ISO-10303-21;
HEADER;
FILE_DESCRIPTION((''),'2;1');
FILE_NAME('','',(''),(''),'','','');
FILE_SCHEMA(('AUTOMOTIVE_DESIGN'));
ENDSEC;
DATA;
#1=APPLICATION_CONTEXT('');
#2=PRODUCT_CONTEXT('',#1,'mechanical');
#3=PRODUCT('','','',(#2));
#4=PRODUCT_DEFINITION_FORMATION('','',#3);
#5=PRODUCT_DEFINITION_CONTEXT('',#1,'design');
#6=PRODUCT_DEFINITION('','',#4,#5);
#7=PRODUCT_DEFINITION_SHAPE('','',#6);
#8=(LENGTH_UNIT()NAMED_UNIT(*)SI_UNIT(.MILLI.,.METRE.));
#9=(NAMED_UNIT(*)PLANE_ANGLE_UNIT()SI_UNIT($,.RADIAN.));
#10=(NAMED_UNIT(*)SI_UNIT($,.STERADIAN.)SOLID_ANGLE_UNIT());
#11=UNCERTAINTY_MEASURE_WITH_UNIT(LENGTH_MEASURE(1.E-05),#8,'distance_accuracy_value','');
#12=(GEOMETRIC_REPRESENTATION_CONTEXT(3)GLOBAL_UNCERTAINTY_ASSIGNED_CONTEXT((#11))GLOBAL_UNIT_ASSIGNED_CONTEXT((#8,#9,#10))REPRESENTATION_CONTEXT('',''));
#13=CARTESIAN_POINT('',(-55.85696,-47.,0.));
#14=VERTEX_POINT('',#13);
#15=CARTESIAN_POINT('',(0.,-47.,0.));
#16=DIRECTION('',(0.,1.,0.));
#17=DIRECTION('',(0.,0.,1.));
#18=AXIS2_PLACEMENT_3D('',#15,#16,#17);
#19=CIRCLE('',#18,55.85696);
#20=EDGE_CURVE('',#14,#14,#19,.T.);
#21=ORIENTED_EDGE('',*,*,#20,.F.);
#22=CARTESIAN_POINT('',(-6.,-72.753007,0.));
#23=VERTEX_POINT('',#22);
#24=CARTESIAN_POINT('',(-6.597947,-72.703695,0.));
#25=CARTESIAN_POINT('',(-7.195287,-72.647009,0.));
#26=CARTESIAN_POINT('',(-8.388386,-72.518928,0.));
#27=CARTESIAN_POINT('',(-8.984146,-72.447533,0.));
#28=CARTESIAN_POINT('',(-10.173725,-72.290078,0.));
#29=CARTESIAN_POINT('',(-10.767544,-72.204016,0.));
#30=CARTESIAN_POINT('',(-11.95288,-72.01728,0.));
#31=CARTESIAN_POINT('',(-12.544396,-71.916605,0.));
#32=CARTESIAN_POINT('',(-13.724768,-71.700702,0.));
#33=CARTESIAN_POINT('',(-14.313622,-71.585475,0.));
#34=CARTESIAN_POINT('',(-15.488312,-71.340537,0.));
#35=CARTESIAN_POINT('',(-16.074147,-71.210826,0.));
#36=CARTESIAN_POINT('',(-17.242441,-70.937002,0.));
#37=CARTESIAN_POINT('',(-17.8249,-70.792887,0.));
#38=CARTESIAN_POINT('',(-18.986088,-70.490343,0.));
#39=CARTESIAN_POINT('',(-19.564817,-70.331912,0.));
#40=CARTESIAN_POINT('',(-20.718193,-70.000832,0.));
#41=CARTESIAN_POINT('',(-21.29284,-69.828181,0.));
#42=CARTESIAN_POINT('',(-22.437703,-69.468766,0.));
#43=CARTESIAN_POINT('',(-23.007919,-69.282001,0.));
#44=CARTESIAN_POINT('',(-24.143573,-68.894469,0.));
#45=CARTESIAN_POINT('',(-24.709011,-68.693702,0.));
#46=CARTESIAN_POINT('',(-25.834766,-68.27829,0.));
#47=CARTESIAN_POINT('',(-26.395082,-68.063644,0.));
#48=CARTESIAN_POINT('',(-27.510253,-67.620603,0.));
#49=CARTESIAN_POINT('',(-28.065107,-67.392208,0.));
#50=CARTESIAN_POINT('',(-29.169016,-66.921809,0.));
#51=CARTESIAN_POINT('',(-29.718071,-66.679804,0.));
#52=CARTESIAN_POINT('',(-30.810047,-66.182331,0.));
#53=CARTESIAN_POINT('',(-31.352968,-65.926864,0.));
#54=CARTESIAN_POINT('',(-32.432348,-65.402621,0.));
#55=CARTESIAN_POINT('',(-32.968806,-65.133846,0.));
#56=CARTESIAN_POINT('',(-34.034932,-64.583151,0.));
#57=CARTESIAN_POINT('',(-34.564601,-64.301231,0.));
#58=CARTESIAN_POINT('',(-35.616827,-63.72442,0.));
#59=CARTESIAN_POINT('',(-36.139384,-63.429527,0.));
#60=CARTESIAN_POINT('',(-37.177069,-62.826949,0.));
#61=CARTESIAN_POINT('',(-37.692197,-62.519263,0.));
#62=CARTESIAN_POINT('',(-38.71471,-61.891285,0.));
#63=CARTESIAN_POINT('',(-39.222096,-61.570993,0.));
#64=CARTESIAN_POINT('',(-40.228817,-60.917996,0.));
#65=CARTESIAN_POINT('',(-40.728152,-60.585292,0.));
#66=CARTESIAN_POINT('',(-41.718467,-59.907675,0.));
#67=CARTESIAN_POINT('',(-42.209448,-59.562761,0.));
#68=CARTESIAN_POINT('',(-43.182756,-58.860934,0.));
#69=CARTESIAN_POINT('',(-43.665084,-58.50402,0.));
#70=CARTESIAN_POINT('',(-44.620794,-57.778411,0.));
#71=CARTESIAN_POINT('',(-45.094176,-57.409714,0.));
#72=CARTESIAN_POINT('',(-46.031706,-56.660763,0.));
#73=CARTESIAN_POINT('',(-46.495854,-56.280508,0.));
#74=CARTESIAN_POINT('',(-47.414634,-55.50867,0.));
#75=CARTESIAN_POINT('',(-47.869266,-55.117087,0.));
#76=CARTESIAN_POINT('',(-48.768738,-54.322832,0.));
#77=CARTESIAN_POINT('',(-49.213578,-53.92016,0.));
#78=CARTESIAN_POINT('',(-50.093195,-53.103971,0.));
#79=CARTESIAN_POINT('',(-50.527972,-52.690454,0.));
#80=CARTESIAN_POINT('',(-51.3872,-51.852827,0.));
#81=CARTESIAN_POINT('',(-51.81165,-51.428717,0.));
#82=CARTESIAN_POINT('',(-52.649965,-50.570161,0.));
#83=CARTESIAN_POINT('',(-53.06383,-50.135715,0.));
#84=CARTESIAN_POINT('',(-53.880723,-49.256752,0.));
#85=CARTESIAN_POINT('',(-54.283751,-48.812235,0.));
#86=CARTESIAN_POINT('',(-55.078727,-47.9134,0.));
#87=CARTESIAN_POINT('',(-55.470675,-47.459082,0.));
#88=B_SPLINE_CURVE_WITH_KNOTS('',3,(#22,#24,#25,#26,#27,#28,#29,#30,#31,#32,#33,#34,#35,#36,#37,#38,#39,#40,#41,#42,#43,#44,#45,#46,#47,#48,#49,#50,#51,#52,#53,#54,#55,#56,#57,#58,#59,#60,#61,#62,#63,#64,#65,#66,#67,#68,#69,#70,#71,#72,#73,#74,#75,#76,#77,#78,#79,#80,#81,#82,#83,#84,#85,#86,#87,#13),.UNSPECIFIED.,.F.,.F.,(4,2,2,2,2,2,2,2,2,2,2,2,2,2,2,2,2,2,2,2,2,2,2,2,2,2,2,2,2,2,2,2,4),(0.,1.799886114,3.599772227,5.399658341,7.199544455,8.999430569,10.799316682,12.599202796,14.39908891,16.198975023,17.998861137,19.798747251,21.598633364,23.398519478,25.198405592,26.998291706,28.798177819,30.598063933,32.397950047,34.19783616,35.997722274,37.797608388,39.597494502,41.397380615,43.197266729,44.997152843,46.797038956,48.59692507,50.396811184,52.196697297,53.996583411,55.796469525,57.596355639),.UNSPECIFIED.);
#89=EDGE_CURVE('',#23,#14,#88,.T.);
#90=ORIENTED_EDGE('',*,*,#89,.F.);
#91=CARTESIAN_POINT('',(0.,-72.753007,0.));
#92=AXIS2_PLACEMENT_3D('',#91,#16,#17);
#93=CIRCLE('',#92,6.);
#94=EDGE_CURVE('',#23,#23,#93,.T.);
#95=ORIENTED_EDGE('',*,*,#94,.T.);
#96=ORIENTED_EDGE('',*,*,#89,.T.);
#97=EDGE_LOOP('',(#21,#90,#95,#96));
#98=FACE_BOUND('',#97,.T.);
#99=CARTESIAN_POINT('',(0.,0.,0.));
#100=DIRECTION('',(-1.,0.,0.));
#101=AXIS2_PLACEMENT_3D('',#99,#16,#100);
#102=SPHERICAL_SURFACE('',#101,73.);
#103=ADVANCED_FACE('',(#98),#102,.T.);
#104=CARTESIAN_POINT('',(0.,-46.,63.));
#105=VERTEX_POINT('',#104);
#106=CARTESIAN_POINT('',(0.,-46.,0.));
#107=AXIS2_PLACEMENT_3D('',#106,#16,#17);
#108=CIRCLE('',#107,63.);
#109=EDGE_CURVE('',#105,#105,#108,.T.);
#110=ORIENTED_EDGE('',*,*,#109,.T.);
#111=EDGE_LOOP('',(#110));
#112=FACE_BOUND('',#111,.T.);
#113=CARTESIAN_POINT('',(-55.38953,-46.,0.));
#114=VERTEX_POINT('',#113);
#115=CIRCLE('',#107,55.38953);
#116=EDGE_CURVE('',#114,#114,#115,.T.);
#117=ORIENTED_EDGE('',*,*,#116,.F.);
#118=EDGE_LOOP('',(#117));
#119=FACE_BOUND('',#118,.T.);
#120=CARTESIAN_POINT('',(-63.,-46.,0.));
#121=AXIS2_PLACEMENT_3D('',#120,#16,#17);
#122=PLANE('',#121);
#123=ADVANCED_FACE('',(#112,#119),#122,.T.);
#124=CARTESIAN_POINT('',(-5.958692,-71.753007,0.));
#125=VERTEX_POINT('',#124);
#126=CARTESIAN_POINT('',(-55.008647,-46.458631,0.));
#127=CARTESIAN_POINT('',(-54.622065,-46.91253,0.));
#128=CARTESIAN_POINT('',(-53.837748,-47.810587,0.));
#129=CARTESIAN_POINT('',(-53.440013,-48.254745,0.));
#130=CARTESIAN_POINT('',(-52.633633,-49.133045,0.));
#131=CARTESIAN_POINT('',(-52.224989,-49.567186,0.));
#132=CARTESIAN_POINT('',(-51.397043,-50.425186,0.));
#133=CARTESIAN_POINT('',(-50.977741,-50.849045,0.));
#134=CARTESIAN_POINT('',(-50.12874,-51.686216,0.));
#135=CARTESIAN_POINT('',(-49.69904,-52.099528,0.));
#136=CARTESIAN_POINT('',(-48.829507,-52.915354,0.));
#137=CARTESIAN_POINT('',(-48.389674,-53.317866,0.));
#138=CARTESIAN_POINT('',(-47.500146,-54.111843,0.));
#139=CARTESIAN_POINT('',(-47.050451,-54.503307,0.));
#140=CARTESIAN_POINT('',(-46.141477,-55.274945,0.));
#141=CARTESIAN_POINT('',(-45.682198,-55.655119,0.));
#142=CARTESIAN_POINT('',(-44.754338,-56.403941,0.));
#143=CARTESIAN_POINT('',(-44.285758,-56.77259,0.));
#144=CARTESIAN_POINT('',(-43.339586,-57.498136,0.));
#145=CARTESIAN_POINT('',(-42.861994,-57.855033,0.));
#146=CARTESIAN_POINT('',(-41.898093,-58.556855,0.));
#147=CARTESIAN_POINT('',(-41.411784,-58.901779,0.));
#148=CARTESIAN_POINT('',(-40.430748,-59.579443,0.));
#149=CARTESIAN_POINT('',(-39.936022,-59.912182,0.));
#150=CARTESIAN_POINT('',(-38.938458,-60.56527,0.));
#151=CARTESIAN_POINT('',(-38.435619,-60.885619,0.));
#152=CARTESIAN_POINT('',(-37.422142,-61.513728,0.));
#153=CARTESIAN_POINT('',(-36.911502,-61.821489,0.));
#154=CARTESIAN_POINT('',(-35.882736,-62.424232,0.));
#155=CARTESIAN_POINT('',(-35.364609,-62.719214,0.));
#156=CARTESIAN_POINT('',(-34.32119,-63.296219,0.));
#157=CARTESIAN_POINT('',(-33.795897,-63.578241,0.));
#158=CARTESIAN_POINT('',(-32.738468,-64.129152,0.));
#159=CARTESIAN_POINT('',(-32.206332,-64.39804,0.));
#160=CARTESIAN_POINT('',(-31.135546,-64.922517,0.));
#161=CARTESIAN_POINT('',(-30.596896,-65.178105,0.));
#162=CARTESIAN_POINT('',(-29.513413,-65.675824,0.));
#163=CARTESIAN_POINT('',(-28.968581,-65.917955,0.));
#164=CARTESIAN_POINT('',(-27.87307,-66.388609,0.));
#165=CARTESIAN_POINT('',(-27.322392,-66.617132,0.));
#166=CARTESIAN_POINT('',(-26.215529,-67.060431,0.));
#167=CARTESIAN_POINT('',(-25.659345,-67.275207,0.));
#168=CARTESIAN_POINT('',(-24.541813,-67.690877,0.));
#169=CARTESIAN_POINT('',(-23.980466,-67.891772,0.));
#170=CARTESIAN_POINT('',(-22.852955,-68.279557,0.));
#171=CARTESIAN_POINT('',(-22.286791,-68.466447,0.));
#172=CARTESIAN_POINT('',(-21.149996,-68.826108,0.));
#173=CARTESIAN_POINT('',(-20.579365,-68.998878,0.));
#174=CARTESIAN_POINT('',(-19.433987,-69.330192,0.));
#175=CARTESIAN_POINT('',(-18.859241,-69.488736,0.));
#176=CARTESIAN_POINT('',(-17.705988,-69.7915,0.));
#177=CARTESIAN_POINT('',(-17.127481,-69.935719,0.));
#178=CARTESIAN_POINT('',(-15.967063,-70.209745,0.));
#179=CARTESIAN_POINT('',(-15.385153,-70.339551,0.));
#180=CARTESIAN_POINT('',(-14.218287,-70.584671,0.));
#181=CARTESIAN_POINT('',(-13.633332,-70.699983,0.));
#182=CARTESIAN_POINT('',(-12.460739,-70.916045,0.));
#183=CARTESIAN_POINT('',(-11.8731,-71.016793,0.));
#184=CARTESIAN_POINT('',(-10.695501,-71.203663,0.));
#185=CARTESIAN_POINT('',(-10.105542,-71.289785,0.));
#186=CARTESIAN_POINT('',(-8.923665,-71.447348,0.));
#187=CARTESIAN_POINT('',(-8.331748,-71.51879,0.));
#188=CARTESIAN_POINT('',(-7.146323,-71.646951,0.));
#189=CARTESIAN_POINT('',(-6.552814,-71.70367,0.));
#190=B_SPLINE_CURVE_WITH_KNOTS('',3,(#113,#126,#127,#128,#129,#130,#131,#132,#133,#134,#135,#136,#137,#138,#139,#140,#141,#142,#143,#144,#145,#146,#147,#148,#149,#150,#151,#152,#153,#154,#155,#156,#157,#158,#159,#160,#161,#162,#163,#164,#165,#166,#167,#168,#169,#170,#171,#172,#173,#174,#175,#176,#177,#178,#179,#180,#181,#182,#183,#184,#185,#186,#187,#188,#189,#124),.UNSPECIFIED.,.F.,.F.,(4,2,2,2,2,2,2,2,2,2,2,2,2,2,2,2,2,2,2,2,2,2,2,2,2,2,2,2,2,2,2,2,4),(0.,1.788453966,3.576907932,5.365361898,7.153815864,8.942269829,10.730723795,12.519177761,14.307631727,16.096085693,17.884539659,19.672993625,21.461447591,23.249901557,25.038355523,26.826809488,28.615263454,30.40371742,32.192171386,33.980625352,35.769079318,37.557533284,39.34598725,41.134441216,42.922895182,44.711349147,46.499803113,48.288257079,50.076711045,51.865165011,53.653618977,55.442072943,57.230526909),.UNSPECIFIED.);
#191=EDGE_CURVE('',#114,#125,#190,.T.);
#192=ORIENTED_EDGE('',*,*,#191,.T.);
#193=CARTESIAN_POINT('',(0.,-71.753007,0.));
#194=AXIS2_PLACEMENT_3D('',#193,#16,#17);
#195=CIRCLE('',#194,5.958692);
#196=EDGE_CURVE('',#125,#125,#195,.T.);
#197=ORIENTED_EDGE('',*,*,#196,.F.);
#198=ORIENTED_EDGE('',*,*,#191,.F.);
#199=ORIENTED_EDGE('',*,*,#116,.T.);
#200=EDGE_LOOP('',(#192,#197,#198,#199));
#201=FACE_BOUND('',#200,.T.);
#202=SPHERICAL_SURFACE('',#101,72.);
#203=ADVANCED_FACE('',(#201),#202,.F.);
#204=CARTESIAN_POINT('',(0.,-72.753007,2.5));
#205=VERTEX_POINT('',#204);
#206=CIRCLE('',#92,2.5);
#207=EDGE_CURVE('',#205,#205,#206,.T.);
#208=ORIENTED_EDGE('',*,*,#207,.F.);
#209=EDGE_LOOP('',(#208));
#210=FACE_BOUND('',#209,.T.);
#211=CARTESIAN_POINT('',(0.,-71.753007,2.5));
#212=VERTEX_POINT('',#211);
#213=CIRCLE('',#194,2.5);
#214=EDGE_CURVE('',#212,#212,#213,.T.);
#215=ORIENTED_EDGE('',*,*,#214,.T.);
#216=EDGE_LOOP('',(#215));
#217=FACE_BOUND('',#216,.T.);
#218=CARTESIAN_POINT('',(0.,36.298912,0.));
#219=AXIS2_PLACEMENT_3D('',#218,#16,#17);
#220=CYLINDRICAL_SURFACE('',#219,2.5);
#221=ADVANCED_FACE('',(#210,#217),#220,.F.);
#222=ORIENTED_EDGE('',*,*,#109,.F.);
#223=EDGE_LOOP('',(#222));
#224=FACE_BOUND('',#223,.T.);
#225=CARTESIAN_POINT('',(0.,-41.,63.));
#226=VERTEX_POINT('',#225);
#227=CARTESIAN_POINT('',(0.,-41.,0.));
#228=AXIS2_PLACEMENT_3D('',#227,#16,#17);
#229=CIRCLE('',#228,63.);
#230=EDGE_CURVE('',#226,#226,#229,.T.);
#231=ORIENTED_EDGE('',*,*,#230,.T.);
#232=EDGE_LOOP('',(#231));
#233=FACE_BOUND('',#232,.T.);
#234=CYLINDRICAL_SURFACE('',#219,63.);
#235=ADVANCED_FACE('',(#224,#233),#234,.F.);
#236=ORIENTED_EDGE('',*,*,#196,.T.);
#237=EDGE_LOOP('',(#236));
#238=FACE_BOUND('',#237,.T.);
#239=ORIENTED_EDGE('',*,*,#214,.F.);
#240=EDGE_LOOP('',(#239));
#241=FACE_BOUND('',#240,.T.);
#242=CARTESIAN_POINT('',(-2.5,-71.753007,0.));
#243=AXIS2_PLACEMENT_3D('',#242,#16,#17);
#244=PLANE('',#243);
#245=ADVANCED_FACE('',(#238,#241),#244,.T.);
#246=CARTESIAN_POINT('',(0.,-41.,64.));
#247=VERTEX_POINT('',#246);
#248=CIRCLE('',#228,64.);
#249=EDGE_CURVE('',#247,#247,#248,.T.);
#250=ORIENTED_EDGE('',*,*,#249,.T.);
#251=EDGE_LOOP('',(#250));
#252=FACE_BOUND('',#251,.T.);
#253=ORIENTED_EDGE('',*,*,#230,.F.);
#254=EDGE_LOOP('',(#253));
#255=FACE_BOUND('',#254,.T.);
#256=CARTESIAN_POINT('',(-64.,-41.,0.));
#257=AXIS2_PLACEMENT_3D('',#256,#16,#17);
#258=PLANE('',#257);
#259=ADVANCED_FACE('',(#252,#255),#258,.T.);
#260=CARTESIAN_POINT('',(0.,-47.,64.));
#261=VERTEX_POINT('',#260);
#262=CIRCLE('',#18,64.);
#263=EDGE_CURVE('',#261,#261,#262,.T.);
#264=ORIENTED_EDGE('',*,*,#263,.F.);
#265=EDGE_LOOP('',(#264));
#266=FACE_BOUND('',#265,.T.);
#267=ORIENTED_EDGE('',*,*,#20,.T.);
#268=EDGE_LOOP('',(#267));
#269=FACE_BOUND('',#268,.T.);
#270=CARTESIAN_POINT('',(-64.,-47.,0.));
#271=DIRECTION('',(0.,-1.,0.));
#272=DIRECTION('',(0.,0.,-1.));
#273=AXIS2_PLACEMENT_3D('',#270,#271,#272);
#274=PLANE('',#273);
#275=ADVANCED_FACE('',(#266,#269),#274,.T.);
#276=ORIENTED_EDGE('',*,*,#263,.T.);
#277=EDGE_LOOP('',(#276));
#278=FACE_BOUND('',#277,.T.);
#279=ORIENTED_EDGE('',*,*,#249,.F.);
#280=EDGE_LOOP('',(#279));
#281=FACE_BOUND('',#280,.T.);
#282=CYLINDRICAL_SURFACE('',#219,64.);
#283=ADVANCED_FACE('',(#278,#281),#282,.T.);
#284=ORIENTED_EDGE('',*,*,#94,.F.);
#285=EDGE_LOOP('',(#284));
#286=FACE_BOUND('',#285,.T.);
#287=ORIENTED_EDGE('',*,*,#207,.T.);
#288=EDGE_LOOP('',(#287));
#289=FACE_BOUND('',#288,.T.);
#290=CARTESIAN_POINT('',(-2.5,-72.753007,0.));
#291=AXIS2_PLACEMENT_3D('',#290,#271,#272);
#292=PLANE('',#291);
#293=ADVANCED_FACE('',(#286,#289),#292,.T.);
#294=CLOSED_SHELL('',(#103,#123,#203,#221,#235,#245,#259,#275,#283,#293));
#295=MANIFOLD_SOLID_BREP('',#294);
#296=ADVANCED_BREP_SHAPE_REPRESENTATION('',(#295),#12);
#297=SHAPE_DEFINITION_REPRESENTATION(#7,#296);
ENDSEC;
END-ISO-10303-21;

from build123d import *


with BuildPart() as part:
    # Sketch1 → Revolve2 (revolve)
    with BuildSketch(Plane.XY, mode=Mode.PRIVATE) as revolve2_sk:
        with BuildLine():
            Line((-2.5, -72.753006811), (-6, -72.753006811))
            ThreePointArc((-6, -72.753006811), (-33.50186891, -64.858498129), (-55.856960175, -47))
            Line((-55.856960175, -47), (-64, -47))
            Line((-64, -47), (-64, -41))
            Line((-64, -41), (-63, -41))
            Line((-63, -41), (-63, -46))
            Line((-63, -46), (-55.389529697, -46))
            ThreePointArc((-55.389529697, -46), (-33.267182398, -63.853696646), (-5.958692274, -71.753006811))
            Line((-5.958692274, -71.753006811), (-2.5, -71.753006811))
            Line((-2.5, -71.753006811), (-2.5, -72.753006811))
        make_face()
    revolve(revolve2_sk.sketch.rotate(Axis((0, 36.298912202, 0), (0, -1, 0)), 270), axis=Axis((0, 36.298912202, 0), (0, -1, 0)))


solid = part.part
